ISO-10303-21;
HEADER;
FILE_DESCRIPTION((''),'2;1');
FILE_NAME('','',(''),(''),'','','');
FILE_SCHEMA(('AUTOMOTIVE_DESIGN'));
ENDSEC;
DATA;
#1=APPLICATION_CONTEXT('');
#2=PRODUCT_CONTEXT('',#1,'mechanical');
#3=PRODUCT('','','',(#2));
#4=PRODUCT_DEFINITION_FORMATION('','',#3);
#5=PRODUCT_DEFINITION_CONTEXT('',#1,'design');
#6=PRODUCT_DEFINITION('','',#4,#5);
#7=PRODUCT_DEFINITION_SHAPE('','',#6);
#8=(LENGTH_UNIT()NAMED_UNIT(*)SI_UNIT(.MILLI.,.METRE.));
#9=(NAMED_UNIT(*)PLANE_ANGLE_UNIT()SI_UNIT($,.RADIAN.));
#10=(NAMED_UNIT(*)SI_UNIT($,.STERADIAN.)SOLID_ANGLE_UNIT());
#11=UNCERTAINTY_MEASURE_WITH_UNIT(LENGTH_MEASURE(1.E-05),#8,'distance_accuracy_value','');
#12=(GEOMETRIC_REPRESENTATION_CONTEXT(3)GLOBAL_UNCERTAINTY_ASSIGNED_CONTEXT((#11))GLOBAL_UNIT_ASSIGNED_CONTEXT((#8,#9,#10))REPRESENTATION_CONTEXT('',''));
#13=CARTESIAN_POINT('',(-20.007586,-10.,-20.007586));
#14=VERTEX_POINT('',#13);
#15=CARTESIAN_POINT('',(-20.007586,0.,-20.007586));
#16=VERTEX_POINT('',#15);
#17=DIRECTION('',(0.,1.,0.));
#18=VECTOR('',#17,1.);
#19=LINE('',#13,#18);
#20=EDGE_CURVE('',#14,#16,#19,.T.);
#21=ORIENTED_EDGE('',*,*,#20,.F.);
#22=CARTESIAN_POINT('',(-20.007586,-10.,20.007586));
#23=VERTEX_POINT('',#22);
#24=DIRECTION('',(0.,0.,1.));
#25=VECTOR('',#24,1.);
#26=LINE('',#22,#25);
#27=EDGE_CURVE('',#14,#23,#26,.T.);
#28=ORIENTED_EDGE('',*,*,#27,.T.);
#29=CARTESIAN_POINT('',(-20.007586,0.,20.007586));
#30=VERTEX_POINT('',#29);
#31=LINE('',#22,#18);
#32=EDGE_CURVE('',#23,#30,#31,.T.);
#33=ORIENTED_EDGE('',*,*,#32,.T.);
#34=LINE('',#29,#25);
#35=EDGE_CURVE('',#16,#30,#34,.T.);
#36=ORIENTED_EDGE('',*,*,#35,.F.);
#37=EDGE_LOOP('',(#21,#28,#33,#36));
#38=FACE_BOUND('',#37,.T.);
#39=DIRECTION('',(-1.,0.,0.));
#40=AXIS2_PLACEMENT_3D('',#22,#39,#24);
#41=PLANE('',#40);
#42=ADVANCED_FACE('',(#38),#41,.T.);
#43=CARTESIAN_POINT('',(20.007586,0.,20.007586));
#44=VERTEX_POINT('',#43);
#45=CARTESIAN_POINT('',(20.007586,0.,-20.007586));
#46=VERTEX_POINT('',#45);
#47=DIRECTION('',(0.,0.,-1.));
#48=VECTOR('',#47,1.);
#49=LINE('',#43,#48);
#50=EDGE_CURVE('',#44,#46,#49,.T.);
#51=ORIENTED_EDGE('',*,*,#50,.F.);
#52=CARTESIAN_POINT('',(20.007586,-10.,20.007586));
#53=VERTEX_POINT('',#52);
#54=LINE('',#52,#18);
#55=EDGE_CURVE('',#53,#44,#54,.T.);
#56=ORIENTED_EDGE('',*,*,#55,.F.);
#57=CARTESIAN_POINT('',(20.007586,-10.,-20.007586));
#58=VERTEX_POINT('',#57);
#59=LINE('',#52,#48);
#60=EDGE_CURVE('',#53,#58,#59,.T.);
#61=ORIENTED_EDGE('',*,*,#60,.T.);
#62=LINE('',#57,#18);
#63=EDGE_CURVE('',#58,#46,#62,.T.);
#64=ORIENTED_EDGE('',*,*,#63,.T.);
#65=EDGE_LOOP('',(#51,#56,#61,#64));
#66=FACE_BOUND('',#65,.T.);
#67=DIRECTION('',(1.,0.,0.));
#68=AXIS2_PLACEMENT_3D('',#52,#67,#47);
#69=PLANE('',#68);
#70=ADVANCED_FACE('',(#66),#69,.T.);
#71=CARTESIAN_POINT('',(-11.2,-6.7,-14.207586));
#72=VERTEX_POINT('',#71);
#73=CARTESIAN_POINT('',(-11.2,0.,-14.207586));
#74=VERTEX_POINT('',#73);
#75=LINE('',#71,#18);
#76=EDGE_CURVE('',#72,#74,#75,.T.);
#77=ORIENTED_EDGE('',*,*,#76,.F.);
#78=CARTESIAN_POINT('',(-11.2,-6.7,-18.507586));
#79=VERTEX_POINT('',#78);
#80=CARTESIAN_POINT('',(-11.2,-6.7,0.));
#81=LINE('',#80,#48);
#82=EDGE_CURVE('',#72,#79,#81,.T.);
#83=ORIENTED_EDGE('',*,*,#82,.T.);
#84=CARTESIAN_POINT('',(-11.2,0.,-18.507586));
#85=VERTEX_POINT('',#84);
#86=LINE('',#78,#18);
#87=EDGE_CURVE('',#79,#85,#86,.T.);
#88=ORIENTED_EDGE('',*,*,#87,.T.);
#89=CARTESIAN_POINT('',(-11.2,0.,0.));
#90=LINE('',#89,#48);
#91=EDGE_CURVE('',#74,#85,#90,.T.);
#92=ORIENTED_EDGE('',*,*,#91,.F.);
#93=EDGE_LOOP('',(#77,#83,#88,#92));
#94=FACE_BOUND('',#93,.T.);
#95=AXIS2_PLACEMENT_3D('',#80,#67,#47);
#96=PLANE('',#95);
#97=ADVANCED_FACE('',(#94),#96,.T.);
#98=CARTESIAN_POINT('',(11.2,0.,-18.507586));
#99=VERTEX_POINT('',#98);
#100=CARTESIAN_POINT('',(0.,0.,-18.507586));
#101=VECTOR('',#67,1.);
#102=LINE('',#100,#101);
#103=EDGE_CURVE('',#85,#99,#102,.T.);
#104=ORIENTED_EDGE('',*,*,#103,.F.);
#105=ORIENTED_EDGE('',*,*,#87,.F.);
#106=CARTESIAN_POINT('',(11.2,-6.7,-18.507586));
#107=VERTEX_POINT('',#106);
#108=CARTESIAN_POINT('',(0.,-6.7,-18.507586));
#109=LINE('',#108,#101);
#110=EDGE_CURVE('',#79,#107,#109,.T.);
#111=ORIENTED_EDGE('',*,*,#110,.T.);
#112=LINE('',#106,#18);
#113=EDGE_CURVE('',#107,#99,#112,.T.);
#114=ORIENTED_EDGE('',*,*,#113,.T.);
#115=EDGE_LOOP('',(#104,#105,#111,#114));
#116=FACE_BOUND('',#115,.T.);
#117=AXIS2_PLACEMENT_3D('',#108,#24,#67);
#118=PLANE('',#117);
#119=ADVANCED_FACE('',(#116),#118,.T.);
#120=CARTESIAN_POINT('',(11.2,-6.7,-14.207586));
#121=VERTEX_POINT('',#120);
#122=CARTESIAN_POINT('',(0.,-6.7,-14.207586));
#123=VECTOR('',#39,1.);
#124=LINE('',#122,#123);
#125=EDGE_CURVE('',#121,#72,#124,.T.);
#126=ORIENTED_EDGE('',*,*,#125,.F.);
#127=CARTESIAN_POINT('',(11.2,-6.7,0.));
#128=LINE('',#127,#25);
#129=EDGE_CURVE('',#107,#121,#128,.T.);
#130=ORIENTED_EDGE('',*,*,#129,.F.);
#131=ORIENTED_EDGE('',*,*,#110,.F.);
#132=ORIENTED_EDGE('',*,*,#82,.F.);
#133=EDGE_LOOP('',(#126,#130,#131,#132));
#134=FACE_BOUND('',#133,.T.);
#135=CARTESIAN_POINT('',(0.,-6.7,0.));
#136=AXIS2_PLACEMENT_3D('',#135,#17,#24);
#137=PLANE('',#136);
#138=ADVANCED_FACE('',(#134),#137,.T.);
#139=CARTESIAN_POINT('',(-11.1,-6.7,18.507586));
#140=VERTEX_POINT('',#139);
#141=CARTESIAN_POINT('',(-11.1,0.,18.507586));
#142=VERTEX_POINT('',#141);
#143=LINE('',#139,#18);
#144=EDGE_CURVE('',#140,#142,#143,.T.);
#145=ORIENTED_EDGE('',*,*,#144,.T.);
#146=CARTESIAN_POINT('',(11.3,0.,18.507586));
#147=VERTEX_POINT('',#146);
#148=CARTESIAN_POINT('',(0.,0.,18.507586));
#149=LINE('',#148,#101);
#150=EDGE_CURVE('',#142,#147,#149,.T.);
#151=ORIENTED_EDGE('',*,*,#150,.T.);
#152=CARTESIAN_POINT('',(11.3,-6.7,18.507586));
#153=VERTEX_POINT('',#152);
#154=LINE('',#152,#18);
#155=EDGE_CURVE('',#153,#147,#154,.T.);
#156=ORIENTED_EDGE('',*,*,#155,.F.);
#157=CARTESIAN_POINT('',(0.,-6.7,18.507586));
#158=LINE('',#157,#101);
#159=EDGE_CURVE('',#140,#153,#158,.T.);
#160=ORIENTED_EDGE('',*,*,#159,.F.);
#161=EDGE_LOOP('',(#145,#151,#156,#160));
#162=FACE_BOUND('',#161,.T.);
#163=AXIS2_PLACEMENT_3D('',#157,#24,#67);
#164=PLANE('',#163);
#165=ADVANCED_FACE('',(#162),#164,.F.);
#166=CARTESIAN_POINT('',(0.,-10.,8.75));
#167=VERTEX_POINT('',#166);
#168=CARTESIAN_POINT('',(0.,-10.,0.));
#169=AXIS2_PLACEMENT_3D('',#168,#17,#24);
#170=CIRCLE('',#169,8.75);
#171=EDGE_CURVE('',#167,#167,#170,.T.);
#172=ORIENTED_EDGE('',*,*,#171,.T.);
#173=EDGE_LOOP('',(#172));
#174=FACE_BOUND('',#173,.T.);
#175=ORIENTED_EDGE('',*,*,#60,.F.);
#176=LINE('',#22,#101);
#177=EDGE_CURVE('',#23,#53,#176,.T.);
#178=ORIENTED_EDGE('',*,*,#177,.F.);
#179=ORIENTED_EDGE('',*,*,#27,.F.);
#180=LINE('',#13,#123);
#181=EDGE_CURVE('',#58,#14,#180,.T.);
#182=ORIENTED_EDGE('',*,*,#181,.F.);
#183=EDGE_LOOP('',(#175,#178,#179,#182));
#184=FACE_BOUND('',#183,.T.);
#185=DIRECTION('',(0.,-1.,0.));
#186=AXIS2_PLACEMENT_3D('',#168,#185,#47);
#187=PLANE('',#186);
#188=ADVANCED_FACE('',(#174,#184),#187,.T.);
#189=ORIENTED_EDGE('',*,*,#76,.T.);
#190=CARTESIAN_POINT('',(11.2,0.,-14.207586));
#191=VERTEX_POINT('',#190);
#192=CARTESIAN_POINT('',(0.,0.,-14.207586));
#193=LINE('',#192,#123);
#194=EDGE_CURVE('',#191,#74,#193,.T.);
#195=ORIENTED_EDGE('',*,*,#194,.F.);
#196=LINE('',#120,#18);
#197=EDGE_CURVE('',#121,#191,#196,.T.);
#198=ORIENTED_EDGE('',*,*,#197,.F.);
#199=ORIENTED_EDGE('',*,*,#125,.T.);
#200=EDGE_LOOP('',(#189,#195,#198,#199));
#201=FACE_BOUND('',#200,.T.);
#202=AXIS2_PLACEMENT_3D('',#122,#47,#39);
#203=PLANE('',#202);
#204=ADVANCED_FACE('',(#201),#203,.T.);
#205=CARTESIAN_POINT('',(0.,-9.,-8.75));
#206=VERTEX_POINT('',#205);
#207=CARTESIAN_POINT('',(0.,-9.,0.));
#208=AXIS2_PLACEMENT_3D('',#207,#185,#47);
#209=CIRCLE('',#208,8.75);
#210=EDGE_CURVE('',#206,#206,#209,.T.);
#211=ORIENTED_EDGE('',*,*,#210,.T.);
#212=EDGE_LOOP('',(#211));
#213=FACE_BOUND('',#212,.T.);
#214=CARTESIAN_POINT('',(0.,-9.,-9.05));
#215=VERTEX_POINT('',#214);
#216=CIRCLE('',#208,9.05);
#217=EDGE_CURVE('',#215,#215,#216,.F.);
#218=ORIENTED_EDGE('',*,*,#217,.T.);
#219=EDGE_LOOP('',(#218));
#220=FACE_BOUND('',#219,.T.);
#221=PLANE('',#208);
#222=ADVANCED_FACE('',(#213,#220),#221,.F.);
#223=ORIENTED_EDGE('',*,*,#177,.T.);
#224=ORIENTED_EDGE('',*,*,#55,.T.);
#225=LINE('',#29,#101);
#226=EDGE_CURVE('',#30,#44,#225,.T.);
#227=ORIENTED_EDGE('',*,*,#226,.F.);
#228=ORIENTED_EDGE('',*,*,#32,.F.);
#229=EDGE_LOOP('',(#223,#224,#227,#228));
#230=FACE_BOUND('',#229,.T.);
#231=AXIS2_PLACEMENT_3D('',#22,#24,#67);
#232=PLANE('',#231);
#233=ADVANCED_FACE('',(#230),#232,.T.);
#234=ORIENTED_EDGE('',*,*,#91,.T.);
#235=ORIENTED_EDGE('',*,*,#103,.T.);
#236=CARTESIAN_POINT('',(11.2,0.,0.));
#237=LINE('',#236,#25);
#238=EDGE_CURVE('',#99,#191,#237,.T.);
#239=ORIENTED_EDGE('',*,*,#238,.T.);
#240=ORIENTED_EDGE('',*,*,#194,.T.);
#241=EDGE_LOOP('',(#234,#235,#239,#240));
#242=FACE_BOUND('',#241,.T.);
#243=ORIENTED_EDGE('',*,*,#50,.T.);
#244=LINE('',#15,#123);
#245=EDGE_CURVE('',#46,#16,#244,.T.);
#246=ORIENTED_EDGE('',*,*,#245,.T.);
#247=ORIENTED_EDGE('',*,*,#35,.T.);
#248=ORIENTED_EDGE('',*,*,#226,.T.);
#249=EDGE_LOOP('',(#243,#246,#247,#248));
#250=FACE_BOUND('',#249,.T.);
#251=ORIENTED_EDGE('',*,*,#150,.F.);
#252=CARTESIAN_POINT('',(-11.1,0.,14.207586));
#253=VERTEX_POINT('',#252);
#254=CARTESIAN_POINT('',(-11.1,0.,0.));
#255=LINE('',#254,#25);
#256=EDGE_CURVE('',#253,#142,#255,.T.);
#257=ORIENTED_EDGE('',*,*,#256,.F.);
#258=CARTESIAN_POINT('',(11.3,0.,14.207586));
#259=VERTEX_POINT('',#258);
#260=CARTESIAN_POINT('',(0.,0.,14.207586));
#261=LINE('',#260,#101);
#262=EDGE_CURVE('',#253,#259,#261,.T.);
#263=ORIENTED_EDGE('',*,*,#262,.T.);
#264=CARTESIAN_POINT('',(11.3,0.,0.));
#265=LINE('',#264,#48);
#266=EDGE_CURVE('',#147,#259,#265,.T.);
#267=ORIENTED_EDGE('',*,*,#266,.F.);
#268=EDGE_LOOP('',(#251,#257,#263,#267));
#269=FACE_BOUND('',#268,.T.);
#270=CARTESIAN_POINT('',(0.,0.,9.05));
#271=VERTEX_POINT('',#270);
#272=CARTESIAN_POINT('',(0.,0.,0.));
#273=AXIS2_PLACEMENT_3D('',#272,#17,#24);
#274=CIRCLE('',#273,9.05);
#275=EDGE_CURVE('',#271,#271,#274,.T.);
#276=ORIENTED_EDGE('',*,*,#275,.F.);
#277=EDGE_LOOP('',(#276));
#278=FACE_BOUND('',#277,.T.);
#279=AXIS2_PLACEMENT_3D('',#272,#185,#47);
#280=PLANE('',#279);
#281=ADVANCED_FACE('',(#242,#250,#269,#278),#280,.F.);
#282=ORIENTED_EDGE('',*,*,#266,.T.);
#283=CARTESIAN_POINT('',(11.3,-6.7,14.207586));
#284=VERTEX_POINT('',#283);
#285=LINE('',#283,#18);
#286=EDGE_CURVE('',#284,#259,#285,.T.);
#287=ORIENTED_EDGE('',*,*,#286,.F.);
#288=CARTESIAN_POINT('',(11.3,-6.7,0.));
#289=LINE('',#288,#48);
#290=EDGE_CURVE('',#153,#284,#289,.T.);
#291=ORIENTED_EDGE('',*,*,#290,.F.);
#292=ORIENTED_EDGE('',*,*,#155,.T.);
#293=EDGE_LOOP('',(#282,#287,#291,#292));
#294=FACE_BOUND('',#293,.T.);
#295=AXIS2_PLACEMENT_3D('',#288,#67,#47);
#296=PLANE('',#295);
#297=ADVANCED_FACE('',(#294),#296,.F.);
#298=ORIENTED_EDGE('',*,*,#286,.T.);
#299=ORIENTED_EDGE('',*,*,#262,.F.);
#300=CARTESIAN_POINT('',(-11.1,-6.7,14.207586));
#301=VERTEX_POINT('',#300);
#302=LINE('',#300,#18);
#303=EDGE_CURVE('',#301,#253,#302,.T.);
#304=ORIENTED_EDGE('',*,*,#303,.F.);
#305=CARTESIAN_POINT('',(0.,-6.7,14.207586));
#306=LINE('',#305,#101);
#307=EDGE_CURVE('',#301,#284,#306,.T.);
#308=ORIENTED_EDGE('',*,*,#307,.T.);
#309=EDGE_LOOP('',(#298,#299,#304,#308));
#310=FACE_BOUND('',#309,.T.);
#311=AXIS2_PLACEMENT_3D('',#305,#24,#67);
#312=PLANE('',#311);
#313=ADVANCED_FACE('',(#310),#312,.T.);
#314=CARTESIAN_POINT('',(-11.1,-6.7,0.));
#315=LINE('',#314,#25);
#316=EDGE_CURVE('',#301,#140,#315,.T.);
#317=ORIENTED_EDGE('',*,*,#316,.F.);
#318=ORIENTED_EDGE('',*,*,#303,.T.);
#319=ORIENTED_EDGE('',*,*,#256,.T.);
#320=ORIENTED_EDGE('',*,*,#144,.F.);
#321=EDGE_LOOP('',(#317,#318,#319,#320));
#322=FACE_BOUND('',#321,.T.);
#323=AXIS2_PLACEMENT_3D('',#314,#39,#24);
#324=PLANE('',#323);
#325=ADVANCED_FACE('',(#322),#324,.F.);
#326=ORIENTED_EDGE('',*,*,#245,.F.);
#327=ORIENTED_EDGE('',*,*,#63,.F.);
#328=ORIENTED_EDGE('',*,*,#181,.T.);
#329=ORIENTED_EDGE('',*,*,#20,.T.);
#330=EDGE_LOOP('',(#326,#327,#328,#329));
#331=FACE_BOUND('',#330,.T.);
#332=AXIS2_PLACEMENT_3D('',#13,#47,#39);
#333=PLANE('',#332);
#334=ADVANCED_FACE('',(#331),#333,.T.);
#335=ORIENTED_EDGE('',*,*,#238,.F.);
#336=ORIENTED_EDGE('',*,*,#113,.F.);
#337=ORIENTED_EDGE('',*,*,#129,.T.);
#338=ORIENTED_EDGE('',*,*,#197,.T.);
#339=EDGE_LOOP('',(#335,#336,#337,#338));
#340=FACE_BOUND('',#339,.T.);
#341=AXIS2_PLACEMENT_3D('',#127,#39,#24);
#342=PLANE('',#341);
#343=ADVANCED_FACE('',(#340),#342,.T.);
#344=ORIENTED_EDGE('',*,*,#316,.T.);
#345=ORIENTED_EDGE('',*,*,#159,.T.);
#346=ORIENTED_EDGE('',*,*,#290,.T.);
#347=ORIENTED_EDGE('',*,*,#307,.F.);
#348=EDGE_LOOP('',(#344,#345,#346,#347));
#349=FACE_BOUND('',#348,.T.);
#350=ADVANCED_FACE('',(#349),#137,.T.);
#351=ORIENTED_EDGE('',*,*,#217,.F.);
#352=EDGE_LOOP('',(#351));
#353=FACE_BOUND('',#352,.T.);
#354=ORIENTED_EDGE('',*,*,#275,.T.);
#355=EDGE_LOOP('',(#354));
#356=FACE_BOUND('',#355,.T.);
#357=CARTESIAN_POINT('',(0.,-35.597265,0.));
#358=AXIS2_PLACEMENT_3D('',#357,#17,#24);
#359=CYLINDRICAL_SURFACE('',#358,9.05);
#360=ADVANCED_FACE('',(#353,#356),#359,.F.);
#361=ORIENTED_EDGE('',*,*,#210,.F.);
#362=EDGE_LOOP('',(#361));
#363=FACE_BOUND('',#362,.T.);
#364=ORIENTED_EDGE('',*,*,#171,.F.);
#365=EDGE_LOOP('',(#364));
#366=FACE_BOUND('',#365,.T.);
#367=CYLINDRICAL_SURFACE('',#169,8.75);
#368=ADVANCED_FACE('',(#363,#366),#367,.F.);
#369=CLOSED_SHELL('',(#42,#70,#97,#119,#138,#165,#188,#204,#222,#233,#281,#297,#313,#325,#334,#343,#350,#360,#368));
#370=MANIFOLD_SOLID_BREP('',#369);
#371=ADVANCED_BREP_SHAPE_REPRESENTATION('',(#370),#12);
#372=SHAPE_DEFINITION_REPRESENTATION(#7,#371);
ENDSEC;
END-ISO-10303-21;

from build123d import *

# Parameters (mm, degrees)
SKETCH1_W           = 40.015172748
SKETCH1_H           = 40.015172748
BOSS_EXTRUDE1_DEPTH = 10
SKETCH2_R           = 8.75
CUT_EXTRUDE1_DEPTH  = 31.010115378
SKETCH3_W           = 22.4
SKETCH3_H           = 4.3
CUT_EXTRUDE3_DEPTH  = 6.7
SKETCH3_5_R         = 9.05
CUT_EXTRUDE4_DEPTH  = 9


with BuildPart() as part:
    # Sketch1 → Boss-Extrude1 (new body)
    with BuildSketch(Plane(origin=(0, 0, 0), x_dir=(1, 0, 0), z_dir=(0, 1, 0))):
        Rectangle(SKETCH1_W, SKETCH1_H)
    extrude(amount=-BOSS_EXTRUDE1_DEPTH)

    # Sketch2 → Cut-Extrude1 (cut, through all)
    with BuildSketch(Plane(origin=(0, 0, 0), x_dir=(1, 0, 0), z_dir=(0, 1, 0))):
        with Locations(Location((0, 0, 0), (0, 0, 270))):
            Circle(SKETCH2_R)
    extrude(amount=-CUT_EXTRUDE1_DEPTH, mode=Mode.SUBTRACT)

    # Sketch3 → Cut-Extrude3 (cut)
    with BuildSketch(Plane(origin=(0, 0, 0), x_dir=(1, 0, 0), z_dir=(0, 1, 0))):
        Polygon((11.2, 18.507586374), (0, 18.507586374), (-11.2, 18.507586374), (-11.2, 14.207586374), (0, 14.207586374), (11.2, 14.207586374), align=None)
        with Locations((0.1, -16.357586374)):
            Rectangle(SKETCH3_W, SKETCH3_H)
    extrude(amount=-CUT_EXTRUDE3_DEPTH, mode=Mode.SUBTRACT)

    # Sketch3<5> → Cut-Extrude4 (cut)
    with BuildSketch(Plane(origin=(0, 0, 0), x_dir=(1, 0, 0), z_dir=(0, 1, 0))):
        with Locations(Location((0, 0, 0), (0, 0, 270))):
            Circle(SKETCH3_5_R)
    extrude(amount=-CUT_EXTRUDE4_DEPTH, mode=Mode.SUBTRACT)


solid = part.part
